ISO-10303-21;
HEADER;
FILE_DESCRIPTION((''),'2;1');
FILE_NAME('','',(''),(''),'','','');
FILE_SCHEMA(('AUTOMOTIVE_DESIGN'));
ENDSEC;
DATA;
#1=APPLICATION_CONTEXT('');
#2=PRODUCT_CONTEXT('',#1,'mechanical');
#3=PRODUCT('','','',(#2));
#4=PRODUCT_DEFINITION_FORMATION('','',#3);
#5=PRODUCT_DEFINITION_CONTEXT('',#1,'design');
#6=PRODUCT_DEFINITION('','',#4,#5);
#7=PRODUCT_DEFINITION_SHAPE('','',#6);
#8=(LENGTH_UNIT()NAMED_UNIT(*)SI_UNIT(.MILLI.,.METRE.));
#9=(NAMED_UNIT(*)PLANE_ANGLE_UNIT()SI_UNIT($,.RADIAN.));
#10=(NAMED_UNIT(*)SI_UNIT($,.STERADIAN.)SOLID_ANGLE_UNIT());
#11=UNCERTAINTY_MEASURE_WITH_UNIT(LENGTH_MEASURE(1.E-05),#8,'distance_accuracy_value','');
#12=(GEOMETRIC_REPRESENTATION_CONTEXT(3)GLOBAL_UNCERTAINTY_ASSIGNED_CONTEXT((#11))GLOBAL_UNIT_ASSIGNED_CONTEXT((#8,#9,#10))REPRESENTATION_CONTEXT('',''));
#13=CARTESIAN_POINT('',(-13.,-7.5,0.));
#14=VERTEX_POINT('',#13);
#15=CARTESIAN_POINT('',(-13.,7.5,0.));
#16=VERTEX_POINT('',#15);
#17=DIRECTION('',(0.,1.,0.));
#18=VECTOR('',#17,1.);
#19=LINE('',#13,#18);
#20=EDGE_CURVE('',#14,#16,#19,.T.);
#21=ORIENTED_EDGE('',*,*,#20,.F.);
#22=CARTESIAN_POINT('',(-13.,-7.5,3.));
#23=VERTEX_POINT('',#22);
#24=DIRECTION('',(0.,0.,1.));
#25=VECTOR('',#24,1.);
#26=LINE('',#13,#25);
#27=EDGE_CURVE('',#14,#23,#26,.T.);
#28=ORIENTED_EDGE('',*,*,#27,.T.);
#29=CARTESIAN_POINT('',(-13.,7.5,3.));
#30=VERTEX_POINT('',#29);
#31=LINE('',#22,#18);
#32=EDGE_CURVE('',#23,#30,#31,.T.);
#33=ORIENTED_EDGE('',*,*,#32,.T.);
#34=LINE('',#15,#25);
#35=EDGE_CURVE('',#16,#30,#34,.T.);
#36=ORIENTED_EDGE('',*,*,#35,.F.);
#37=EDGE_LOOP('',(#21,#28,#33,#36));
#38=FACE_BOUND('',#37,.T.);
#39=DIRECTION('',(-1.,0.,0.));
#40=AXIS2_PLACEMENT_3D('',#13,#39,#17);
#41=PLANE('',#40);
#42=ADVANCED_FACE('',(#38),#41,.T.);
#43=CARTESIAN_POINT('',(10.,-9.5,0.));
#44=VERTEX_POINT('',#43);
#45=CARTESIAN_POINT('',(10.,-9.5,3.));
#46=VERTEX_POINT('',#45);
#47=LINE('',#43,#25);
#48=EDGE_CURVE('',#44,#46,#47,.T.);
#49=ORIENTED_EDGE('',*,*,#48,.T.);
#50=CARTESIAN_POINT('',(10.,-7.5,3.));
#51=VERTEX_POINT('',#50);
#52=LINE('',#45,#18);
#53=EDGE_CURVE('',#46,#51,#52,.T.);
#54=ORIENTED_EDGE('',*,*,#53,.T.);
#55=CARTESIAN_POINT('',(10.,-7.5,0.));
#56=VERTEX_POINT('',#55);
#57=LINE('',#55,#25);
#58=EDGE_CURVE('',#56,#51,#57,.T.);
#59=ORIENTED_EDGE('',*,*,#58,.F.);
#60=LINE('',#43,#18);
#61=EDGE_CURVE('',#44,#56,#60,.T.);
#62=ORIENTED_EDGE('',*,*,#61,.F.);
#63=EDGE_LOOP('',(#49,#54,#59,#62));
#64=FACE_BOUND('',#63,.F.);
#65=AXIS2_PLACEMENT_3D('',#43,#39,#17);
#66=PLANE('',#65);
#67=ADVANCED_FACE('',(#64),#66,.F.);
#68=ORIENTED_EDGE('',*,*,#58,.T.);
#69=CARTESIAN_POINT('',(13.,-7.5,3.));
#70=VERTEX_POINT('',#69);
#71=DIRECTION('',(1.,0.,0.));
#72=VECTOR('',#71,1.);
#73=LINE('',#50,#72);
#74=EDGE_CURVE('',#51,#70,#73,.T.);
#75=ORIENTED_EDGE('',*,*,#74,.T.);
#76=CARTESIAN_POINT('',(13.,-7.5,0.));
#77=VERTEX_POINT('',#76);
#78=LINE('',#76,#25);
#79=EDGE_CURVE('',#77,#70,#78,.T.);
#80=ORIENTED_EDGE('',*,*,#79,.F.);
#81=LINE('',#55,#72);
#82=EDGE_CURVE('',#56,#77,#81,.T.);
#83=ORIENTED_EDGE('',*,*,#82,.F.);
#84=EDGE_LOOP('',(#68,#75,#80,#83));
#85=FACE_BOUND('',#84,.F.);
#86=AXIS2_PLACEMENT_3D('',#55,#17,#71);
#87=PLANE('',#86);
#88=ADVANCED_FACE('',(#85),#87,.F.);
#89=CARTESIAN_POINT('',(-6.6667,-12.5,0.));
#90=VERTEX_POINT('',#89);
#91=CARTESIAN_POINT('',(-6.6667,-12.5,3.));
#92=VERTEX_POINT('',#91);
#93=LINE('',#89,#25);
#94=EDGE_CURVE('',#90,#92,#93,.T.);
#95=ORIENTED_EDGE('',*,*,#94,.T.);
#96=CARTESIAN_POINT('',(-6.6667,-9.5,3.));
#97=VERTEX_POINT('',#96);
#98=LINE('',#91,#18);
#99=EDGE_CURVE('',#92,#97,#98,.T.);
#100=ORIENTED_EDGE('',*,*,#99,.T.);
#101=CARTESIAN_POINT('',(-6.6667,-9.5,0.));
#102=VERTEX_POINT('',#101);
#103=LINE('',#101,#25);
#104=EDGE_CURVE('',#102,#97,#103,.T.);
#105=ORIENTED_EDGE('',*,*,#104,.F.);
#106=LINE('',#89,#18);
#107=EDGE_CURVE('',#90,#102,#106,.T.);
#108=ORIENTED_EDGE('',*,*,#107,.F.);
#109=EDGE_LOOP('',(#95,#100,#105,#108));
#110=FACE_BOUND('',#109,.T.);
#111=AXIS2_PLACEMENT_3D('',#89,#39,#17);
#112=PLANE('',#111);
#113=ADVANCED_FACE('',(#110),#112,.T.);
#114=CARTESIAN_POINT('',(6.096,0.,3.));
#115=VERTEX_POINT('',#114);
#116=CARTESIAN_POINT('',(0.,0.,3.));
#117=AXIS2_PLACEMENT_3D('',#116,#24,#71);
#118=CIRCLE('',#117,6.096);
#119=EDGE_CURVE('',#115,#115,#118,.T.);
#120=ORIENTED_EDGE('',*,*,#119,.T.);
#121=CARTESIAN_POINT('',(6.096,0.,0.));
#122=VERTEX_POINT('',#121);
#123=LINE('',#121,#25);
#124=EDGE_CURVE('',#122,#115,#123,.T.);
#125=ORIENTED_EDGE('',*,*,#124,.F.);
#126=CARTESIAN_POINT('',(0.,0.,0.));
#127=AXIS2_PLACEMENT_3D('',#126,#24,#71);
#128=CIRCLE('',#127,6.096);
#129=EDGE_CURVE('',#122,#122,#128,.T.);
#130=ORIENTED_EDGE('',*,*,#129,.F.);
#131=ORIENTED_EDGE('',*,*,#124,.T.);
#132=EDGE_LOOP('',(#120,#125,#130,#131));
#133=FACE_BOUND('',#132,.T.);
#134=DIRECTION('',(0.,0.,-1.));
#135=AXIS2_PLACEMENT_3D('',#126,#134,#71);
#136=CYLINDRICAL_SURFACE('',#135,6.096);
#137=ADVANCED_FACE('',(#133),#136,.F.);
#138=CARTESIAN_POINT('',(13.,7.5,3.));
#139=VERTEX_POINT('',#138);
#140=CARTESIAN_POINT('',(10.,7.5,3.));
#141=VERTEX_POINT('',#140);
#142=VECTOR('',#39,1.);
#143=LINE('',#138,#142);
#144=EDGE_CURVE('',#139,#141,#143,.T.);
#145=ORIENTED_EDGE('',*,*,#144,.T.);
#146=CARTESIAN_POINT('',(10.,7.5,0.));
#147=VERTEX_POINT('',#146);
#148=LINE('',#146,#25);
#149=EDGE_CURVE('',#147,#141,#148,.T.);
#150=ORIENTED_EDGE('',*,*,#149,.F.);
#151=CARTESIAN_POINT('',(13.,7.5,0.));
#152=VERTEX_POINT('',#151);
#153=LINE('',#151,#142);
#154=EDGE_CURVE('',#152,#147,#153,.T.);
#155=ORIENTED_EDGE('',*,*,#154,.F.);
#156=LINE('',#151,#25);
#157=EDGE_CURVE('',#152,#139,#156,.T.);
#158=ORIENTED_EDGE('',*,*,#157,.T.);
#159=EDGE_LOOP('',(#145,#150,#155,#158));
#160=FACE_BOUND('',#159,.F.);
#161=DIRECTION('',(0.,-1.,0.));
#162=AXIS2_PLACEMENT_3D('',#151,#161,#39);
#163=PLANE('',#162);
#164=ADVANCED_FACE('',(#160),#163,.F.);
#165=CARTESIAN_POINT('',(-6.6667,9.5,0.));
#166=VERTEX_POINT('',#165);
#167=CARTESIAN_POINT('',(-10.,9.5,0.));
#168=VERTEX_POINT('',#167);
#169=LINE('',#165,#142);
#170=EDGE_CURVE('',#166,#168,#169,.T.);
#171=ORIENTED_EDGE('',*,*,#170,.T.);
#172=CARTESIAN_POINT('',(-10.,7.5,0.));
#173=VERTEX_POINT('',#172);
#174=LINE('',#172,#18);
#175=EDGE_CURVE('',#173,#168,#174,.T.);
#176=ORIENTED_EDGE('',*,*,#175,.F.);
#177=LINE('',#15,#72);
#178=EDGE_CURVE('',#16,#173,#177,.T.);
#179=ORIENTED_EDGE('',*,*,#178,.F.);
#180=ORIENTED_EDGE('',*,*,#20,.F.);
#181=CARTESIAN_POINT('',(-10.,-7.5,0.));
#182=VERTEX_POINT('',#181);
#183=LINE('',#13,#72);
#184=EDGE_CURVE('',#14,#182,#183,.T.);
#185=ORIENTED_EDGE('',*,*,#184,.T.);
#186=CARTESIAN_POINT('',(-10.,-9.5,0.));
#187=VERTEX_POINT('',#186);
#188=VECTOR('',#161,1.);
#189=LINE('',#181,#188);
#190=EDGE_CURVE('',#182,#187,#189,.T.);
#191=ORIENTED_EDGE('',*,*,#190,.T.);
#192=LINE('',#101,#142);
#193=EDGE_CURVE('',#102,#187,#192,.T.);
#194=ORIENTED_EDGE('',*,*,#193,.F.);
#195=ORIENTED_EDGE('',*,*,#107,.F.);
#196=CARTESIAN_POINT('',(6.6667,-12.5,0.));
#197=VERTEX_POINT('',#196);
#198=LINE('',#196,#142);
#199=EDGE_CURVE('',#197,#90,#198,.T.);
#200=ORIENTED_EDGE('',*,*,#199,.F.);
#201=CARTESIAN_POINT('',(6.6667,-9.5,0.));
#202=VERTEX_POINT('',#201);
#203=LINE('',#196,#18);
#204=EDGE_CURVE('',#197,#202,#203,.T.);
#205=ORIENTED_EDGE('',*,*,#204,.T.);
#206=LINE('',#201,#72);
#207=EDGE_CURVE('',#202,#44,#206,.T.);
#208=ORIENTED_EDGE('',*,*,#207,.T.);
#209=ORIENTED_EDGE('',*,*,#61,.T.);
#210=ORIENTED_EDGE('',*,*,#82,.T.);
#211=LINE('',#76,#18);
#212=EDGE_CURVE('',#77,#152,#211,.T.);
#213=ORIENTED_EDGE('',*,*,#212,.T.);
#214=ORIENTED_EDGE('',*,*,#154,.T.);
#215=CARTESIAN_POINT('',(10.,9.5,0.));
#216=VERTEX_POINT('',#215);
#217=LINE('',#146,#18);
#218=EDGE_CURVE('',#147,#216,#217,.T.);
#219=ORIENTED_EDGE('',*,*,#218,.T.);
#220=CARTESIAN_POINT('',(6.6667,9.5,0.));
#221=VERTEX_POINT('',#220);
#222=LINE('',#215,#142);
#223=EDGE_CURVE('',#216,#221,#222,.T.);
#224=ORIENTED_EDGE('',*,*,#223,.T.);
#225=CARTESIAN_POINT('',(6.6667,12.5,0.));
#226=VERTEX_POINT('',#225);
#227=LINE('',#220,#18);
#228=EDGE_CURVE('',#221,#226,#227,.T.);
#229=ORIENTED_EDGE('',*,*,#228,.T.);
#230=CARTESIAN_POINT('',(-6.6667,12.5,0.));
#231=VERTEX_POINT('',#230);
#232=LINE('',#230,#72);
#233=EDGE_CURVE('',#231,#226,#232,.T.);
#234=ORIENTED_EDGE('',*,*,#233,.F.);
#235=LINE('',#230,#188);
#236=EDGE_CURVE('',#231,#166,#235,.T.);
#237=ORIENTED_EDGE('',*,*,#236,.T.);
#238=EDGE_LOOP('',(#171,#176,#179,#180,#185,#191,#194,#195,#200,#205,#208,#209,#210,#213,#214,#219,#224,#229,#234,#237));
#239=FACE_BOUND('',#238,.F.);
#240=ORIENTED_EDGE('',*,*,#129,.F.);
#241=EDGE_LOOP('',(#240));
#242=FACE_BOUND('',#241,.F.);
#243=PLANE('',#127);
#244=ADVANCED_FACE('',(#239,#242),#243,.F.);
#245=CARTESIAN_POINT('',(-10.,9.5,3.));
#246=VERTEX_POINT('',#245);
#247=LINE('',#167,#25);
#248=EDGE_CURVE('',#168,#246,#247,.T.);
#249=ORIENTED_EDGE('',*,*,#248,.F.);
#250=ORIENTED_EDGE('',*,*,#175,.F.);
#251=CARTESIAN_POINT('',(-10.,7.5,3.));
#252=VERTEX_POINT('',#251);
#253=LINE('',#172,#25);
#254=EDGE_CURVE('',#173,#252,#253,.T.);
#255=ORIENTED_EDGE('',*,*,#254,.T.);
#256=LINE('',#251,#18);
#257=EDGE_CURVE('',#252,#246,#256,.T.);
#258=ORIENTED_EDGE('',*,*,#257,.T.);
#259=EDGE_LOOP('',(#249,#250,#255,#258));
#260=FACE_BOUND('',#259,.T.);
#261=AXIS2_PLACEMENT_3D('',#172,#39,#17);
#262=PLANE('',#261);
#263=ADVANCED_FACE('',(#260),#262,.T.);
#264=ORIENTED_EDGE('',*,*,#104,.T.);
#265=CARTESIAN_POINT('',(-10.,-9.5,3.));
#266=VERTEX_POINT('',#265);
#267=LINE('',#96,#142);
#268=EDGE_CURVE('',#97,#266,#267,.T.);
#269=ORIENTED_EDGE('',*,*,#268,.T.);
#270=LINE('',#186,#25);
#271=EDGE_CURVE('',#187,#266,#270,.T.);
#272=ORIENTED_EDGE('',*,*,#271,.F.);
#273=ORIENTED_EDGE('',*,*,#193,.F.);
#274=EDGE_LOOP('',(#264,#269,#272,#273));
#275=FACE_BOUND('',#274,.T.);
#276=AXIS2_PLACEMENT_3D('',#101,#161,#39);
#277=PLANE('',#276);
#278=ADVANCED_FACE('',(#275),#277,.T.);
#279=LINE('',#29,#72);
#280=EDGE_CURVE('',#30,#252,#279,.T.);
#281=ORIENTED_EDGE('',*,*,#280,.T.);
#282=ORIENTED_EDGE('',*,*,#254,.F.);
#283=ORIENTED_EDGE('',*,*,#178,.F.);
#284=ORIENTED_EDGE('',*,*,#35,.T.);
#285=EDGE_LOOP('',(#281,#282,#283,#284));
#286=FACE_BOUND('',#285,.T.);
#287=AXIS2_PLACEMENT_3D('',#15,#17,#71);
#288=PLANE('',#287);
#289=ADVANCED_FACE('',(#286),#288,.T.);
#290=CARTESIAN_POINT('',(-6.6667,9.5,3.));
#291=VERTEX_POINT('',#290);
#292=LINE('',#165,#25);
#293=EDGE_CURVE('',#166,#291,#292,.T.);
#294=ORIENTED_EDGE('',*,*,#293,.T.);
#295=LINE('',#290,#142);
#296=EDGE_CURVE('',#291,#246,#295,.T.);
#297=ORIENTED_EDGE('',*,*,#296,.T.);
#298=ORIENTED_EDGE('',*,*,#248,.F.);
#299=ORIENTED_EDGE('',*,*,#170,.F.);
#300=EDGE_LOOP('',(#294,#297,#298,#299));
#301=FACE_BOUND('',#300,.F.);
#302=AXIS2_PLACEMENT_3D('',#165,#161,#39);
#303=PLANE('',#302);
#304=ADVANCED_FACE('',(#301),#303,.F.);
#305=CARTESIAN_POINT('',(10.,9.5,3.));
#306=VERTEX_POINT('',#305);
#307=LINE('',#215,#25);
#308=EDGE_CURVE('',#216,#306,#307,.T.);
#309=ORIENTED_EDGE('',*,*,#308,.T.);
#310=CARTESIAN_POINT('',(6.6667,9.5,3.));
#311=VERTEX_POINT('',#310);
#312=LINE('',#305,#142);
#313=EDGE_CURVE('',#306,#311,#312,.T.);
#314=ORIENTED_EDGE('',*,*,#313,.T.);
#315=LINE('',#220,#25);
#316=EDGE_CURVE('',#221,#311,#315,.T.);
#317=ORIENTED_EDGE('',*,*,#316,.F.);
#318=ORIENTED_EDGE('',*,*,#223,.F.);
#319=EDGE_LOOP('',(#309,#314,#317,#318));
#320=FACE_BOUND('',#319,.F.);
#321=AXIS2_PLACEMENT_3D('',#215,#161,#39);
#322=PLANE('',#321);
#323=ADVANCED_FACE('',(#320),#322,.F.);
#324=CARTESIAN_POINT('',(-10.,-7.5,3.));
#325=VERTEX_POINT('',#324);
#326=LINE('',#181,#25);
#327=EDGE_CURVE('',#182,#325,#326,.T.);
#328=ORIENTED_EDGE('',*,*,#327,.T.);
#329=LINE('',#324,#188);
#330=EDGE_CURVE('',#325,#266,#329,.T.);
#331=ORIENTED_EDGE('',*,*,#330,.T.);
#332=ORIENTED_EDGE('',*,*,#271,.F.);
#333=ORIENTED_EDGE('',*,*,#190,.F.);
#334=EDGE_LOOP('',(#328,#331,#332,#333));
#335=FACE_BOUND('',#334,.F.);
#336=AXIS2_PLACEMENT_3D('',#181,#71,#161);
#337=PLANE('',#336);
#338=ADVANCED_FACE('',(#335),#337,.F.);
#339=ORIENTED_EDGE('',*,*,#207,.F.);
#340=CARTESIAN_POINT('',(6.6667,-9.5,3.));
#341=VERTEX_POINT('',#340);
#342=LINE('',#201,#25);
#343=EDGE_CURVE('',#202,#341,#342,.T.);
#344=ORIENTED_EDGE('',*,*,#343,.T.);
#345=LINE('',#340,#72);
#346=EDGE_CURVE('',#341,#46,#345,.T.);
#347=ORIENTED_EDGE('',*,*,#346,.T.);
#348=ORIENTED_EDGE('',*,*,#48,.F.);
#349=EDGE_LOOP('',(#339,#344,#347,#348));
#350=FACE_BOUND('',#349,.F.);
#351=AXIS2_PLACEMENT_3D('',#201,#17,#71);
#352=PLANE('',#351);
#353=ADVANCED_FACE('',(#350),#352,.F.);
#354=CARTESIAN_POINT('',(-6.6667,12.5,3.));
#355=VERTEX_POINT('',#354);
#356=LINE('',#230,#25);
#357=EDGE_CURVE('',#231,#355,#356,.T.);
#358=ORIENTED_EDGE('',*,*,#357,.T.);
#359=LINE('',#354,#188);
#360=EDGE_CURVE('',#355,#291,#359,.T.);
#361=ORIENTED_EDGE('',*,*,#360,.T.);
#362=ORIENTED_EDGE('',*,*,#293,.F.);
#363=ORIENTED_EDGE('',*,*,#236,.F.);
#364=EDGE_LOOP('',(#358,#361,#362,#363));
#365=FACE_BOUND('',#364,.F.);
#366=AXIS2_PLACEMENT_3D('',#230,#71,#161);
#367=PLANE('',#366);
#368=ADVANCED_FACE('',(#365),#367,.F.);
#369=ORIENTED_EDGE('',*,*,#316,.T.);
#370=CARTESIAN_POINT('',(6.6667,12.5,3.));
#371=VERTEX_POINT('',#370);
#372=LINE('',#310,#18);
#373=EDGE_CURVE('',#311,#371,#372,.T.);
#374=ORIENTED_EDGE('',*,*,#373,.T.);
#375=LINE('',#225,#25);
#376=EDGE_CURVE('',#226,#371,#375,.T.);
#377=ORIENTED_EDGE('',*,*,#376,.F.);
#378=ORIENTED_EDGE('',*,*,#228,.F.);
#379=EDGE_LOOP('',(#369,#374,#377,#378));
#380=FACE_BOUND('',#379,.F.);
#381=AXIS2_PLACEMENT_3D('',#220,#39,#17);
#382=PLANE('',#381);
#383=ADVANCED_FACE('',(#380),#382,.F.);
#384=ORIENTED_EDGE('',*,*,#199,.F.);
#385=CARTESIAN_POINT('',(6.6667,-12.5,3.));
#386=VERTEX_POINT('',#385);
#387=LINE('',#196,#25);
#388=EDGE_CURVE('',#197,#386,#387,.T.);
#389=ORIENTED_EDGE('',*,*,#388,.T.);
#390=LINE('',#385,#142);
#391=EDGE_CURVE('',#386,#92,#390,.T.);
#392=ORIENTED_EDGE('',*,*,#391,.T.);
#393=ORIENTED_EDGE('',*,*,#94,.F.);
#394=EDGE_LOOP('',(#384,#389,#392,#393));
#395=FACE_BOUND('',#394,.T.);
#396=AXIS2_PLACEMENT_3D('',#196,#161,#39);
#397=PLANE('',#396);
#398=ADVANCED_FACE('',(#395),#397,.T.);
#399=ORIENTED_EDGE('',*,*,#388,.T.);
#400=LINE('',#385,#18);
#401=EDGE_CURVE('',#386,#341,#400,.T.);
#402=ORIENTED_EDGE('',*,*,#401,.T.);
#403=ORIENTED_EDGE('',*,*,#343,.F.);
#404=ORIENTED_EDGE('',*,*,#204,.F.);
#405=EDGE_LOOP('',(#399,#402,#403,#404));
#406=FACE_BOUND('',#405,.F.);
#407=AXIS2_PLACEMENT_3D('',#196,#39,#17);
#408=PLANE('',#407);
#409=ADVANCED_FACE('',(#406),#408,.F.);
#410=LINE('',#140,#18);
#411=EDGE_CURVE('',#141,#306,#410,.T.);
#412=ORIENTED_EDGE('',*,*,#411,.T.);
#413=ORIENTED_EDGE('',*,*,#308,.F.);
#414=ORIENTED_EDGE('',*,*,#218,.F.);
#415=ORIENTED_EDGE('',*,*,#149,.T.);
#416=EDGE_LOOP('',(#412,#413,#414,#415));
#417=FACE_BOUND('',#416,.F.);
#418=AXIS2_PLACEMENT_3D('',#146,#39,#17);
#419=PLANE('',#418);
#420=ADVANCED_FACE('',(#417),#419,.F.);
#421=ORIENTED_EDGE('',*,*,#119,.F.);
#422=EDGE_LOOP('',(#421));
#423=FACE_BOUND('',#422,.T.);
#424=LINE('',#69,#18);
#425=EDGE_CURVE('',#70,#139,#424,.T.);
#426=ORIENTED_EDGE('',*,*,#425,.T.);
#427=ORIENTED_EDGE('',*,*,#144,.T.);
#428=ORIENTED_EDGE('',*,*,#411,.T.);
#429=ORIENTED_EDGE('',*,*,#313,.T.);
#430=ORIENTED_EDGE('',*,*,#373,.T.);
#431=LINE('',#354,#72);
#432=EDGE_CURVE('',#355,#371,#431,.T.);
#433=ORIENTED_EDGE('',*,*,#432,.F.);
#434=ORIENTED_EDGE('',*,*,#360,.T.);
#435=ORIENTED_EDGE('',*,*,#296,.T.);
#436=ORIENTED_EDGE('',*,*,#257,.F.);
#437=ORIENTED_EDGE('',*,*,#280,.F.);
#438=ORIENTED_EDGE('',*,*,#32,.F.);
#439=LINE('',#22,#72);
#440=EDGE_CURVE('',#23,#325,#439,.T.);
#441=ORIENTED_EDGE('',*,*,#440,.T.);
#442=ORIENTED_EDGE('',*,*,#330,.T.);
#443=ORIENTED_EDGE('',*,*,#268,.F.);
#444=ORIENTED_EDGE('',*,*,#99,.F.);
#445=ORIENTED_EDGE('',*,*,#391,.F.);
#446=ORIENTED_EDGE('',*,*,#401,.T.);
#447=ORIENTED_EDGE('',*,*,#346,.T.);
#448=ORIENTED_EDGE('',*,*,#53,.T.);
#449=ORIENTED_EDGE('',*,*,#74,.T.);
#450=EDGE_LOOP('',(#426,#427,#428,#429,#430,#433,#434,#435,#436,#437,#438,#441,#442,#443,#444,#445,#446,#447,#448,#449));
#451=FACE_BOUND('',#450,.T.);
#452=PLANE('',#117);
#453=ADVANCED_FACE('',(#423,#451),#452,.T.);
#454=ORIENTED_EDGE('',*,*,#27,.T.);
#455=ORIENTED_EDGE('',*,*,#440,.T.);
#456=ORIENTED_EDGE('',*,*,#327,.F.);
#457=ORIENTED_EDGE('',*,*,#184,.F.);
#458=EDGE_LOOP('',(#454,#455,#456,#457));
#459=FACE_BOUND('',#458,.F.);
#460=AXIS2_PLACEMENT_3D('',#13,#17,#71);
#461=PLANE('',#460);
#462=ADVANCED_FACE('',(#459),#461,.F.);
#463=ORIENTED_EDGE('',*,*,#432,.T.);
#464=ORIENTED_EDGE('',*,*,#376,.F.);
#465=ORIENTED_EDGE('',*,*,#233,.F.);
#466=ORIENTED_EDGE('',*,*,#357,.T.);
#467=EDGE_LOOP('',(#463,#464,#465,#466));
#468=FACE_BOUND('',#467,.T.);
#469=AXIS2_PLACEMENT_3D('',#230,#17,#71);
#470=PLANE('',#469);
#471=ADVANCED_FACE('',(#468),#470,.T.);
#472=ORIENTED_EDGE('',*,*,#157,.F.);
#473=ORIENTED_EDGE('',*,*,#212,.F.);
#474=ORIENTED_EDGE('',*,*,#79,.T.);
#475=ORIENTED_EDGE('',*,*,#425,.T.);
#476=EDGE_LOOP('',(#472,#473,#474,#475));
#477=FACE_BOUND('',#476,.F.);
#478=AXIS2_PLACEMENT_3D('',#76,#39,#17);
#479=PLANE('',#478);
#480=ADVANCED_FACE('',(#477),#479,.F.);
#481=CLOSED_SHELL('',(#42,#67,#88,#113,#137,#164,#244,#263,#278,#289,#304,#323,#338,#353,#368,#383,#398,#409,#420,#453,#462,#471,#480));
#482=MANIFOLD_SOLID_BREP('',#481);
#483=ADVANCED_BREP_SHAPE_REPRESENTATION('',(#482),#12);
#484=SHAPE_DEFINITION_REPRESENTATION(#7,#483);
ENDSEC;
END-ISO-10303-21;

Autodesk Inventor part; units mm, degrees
ref_plane "YZ Plane" through (0, 0, 0) normal (1, 0, 0) x (0, 1, 0)
ref_plane "XZ Plane" through (0, 0, 0) normal (0, 1, 0) x (-1, 0, 0)
ref_plane "XY Plane" through (0, 0, 0) normal (0, 0, 1) x (1, 0, 0)
sketch "Sketch1" plane through (0, 0, 0) normal (0, 0, 1) x (1, 0, 0)
  circle A0 centre (0, 0) radius 6.096
  line L0 (13, 7.5) -> (10, 7.5)
  line L1 (10, 7.5) -> (10, 9.5)
  line L2 (10, -9.5) -> (10, -7.5)
  line L3 (10, -7.5) -> (13, -7.5)
  line L4 (-6.6667, -12.5) -> (-6.6667, -9.5)
  line L5 (-6.6667, -9.5) -> (-10, -9.5)
  line L6 (6.6667, -12.5) -> (6.6667, -9.5)
  line L7 (6.6667, -9.5) -> (10, -9.5)
  line L8 (-13, -7.5) -> (-10, -7.5)
  line L9 (-10, -7.5) -> (-10, -9.5)
  line L10 (-13, 7.5) -> (-10, 7.5)
  line L11 (-10, 7.5) -> (-10, 9.5)
  line L12 (-6.6667, 12.5) -> (-6.6667, 9.5)
  line L13 (-6.6667, 9.5) -> (-10, 9.5)
  line L14 (10, 9.5) -> (6.6667, 9.5)
  line L15 (6.6667, 9.5) -> (6.6667, 12.5)
  line L16 (-6.6667, 12.5) -> (6.6667, 12.5)
  line L17 (-13, -7.5) -> (-13, 7.5)
  line L18 (6.6667, -12.5) -> (-6.6667, -12.5)
  line L19 (13, -7.5) -> (13, 7.5)
  line L20 (-20.9424, 0) -> (31.3224, 0) construction
  line L21 (0, 16.7256) -> (0, -15.9648) construction
  dimension "d0" = 12.192
  dimension "d3" = 3
  dimension "d5" = 3
  dimension "d6" = 3
  dimension "d7" = 15
  dimension "d9" = 13.3333
  dimension "d15" = 25
  dimension "d16" = 3
  dimension "d17" = 20
  dimension "d18" = 20
extrude "Extrusion1" add sketch "Sketch1" along normal blind 3
equation "\"d9\" = 0.666667 * d17"
properties part number "Camera-Holder_Bearing-Ring-Outer"
